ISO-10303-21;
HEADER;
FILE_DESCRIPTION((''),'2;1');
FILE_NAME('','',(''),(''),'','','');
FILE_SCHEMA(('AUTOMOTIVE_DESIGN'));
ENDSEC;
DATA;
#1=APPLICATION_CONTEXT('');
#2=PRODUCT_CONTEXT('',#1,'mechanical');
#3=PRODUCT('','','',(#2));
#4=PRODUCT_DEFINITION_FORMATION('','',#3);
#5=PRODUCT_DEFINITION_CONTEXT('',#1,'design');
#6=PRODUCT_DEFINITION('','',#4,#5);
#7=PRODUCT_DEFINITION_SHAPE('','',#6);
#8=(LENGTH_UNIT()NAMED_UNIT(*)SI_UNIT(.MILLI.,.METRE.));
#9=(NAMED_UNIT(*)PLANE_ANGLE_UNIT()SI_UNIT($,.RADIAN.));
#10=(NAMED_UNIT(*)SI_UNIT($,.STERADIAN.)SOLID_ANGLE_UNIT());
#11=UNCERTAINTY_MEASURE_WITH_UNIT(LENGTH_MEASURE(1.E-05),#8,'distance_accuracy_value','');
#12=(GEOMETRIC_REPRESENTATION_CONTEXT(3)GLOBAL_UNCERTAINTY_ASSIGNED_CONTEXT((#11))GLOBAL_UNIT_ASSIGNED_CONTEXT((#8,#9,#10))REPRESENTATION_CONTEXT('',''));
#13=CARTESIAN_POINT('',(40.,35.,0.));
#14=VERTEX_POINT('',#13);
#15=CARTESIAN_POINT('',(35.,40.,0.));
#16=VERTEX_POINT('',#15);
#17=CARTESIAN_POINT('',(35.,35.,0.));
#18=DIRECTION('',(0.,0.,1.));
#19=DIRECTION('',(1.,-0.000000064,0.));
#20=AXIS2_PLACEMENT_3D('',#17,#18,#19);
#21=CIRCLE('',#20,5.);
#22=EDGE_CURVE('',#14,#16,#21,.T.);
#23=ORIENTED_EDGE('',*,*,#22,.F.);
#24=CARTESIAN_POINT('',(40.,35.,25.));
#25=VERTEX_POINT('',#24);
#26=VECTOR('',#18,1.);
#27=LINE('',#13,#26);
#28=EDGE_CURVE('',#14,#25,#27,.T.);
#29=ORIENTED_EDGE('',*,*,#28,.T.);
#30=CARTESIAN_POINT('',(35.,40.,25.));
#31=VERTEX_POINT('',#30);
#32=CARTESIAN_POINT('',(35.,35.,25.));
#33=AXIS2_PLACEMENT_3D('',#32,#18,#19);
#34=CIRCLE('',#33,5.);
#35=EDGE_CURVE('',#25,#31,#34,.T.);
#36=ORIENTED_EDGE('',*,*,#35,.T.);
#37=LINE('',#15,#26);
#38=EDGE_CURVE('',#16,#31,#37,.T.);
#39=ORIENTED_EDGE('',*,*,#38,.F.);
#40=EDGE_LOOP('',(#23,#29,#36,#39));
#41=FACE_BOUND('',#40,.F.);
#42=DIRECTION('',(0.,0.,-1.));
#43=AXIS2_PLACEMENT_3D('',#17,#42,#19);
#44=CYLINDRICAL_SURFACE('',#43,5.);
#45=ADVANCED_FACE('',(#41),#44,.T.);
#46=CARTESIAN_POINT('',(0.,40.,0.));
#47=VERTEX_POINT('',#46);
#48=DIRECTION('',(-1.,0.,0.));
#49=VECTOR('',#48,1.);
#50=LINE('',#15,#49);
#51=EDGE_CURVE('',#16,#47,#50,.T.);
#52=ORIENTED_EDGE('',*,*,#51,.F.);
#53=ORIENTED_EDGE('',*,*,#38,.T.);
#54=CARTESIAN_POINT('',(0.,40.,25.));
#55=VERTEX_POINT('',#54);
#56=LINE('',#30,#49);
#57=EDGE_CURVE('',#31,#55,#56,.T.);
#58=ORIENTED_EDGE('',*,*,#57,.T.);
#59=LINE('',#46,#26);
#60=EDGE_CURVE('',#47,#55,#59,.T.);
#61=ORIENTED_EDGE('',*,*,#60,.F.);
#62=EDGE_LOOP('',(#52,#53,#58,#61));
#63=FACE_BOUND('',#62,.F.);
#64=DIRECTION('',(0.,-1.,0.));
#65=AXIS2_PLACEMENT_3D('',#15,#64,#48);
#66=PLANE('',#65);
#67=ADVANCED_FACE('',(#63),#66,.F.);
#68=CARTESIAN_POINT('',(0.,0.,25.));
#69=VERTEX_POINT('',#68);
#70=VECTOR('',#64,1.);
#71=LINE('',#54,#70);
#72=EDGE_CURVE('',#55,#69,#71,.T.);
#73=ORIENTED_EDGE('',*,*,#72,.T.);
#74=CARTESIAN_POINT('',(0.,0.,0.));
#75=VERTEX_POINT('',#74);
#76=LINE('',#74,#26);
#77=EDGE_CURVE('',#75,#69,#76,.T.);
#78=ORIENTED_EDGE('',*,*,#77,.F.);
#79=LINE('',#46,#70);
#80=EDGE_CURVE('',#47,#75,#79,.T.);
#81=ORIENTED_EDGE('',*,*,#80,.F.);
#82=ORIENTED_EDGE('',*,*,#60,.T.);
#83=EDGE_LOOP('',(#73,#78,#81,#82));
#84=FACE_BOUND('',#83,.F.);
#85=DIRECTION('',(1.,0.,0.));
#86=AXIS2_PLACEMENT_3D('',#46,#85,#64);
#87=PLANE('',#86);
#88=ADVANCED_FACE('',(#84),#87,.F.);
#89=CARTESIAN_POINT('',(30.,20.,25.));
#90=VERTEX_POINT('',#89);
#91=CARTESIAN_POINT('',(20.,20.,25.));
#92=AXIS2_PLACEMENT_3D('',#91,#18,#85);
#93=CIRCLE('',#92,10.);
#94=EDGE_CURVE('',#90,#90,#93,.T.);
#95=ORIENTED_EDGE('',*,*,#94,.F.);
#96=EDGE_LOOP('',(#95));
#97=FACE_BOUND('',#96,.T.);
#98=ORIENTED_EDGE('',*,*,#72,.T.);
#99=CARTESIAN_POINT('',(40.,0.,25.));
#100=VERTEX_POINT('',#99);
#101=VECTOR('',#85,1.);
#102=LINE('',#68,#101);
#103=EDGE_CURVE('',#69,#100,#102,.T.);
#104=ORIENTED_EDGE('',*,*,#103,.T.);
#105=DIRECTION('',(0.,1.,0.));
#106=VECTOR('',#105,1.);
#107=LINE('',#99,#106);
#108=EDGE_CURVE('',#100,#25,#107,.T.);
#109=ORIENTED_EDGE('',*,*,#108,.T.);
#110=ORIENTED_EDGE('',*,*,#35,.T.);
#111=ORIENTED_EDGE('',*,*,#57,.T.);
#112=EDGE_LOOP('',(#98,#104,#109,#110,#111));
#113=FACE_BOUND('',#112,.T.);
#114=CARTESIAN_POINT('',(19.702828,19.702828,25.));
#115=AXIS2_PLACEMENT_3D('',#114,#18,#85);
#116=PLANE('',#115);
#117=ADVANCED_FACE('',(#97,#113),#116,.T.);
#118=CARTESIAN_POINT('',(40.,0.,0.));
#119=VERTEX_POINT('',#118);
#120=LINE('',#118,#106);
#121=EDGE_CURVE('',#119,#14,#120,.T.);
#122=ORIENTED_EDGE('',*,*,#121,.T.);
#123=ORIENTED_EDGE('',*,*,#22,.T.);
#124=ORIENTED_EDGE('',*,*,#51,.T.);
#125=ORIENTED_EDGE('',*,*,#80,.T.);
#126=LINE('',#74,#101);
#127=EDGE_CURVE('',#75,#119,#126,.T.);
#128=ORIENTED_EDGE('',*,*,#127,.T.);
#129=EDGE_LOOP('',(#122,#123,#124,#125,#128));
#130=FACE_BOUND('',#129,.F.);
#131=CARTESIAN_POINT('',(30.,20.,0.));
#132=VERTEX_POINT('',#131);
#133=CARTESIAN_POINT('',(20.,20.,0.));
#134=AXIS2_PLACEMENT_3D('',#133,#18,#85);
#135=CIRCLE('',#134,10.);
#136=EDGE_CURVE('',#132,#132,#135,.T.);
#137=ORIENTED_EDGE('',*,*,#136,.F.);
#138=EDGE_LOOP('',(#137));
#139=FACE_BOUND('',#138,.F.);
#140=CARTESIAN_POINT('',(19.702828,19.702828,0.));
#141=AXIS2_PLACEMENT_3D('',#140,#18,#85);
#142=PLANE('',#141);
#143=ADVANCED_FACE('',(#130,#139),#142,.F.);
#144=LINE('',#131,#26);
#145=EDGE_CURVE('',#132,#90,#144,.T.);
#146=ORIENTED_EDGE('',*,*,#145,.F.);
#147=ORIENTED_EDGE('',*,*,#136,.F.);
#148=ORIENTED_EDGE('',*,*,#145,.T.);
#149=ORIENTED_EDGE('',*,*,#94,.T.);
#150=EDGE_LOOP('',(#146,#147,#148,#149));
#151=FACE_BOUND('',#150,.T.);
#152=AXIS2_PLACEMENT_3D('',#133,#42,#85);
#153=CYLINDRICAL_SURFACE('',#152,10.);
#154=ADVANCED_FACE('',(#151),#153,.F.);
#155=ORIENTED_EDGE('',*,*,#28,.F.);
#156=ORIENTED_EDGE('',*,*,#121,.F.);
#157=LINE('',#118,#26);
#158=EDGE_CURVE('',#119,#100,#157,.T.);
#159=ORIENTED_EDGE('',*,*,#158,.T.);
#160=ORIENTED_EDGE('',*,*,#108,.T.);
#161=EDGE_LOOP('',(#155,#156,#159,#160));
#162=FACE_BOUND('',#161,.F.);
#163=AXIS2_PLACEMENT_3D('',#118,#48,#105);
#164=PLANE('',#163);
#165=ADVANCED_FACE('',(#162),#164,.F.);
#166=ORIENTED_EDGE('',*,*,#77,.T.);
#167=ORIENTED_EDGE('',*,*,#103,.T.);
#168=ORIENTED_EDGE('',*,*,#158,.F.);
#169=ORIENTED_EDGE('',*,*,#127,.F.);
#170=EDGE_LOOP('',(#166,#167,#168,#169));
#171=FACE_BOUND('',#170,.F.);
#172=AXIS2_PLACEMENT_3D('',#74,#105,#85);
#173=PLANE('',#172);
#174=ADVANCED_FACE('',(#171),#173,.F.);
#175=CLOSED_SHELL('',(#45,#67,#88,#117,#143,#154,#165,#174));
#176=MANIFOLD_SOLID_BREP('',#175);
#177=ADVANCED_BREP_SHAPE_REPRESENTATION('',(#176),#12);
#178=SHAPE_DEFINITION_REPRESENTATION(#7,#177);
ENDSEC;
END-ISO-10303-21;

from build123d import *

# Parameters (mm, degrees)
F0_R     = 10
F1_DEPTH = 25


with BuildPart() as f1:
    # F0 (on Top) → F1 (new body)
    with BuildSketch(Plane.XY):
        with BuildLine():
            Line((0, 40), (0, 0))
            Line((0, 0), (40, 0))
            Line((40, 0), (40, 35))
            ThreePointArc((40, 35), (38.535534, 38.535534), (35, 40))
            Line((35, 40), (0, 40))
        make_face()
        with Locations((20, 20)):
            Circle(F0_R, mode=Mode.SUBTRACT)
    extrude(amount=F1_DEPTH)


solid = f1.part
